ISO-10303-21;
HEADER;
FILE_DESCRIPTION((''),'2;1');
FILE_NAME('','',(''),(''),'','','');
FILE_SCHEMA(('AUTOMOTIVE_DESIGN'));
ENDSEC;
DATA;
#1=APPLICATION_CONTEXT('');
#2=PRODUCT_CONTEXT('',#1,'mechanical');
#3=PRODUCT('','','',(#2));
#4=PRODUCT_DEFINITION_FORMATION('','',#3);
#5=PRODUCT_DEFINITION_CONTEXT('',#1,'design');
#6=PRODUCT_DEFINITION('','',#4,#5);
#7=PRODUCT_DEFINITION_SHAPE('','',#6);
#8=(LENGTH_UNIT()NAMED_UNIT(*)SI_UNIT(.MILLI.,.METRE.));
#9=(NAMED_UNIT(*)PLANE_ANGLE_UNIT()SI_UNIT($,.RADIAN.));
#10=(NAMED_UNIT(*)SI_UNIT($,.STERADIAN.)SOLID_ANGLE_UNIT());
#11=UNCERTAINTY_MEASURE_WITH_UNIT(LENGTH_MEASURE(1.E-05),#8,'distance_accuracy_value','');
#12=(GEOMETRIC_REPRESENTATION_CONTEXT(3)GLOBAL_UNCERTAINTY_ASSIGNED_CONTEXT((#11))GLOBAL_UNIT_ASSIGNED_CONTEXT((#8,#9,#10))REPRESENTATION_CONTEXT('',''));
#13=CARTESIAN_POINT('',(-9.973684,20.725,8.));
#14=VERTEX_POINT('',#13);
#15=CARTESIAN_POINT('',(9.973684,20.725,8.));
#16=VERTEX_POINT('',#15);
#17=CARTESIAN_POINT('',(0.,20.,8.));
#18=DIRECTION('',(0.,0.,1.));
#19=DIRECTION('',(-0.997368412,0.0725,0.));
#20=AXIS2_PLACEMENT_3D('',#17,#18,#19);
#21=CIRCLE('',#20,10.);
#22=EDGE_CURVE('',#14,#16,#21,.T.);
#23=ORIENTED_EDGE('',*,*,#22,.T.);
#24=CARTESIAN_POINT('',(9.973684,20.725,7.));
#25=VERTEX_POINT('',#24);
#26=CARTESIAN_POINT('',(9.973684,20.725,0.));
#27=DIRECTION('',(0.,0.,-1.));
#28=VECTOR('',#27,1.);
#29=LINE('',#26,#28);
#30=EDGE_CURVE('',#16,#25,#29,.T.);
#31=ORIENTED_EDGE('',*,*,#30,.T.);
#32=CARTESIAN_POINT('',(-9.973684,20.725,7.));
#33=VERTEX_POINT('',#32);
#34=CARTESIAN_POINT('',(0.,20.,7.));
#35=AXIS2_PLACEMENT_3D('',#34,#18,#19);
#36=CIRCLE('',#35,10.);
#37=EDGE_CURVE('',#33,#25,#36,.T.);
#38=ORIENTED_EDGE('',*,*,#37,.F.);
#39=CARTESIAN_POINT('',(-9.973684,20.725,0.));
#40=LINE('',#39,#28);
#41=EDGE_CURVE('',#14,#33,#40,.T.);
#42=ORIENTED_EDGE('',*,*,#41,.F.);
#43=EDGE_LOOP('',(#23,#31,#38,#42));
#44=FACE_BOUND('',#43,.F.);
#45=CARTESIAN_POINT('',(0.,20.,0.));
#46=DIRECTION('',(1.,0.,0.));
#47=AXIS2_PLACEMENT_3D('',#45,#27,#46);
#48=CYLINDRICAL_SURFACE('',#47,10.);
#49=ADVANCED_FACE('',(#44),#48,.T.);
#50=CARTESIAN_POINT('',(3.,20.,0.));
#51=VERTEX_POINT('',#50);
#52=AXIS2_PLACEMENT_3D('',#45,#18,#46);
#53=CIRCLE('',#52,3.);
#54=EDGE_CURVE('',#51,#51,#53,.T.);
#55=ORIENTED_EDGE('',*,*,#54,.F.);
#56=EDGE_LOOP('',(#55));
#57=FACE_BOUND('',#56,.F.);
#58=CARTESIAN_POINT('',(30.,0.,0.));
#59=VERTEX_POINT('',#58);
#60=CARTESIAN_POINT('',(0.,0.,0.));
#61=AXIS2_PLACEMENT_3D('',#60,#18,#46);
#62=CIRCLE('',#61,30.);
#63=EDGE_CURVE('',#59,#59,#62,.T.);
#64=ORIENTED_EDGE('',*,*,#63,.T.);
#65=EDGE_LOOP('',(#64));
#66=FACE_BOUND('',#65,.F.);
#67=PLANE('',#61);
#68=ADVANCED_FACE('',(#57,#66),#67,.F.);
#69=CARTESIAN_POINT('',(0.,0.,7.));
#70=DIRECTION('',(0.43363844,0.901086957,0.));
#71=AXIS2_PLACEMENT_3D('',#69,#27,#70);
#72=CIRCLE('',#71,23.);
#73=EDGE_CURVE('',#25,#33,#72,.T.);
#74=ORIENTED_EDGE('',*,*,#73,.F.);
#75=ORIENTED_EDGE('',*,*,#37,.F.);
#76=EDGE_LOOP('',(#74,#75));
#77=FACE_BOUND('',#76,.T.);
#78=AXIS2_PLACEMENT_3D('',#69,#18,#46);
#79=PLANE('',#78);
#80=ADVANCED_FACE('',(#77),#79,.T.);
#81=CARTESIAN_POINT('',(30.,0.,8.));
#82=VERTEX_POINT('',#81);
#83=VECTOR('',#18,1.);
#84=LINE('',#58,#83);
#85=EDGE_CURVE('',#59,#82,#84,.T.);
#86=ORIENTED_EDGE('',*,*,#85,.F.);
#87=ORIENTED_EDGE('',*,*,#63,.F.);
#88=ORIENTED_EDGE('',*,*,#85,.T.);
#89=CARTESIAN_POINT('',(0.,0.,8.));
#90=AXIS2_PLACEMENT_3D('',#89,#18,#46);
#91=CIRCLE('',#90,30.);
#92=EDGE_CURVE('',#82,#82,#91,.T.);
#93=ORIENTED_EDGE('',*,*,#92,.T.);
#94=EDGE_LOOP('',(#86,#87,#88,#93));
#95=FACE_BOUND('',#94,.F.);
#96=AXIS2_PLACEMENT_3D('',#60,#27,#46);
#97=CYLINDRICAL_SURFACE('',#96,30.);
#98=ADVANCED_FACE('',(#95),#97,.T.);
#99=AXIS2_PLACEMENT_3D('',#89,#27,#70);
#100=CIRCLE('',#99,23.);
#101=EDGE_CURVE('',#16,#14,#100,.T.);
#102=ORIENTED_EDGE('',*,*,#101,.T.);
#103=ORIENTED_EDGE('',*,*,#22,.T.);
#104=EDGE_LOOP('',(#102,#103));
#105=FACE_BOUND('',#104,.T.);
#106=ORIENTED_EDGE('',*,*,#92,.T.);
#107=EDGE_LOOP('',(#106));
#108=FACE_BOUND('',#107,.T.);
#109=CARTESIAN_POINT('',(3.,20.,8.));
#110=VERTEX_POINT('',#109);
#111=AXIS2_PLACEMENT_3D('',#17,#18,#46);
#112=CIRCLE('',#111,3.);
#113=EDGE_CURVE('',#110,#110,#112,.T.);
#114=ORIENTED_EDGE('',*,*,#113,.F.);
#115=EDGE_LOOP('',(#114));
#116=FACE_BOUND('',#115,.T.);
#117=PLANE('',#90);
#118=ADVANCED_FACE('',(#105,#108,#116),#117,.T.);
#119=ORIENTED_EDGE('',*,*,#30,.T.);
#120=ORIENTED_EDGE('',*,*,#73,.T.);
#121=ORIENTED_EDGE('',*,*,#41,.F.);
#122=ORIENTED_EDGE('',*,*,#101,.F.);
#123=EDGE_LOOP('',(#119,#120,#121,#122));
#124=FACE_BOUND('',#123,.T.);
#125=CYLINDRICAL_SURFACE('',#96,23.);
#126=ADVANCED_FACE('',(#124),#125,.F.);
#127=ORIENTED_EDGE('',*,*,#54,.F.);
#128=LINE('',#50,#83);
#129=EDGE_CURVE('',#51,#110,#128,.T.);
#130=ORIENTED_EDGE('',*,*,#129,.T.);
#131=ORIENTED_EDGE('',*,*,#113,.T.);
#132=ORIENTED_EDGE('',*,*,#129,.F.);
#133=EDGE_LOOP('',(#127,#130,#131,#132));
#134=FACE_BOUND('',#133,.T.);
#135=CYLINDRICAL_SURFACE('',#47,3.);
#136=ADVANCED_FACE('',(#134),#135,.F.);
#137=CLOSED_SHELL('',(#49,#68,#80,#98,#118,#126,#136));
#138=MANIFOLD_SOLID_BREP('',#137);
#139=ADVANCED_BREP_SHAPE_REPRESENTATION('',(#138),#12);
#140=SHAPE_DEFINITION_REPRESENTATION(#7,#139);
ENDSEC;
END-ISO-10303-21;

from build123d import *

# Parameters (mm, degrees)
F0_R     = 30
F0_R_2   = 3
F1_DEPTH = 8
F2_T     = -7


with BuildPart() as f1:
    # F0 (on Top) → F1 (new body)
    with BuildSketch(Plane.XY):
        Circle(F0_R)
        with Locations((0, 20)):
            Circle(F0_R_2, mode=Mode.SUBTRACT)
    extrude(amount=F1_DEPTH)

    # F2
    f2_openings = [f1.faces().sort_by_distance(p)[0] for p in [
        (0, -0.20202, 8),
    ]]
    offset(amount=F2_T, openings=f2_openings)


solid = f1.part
